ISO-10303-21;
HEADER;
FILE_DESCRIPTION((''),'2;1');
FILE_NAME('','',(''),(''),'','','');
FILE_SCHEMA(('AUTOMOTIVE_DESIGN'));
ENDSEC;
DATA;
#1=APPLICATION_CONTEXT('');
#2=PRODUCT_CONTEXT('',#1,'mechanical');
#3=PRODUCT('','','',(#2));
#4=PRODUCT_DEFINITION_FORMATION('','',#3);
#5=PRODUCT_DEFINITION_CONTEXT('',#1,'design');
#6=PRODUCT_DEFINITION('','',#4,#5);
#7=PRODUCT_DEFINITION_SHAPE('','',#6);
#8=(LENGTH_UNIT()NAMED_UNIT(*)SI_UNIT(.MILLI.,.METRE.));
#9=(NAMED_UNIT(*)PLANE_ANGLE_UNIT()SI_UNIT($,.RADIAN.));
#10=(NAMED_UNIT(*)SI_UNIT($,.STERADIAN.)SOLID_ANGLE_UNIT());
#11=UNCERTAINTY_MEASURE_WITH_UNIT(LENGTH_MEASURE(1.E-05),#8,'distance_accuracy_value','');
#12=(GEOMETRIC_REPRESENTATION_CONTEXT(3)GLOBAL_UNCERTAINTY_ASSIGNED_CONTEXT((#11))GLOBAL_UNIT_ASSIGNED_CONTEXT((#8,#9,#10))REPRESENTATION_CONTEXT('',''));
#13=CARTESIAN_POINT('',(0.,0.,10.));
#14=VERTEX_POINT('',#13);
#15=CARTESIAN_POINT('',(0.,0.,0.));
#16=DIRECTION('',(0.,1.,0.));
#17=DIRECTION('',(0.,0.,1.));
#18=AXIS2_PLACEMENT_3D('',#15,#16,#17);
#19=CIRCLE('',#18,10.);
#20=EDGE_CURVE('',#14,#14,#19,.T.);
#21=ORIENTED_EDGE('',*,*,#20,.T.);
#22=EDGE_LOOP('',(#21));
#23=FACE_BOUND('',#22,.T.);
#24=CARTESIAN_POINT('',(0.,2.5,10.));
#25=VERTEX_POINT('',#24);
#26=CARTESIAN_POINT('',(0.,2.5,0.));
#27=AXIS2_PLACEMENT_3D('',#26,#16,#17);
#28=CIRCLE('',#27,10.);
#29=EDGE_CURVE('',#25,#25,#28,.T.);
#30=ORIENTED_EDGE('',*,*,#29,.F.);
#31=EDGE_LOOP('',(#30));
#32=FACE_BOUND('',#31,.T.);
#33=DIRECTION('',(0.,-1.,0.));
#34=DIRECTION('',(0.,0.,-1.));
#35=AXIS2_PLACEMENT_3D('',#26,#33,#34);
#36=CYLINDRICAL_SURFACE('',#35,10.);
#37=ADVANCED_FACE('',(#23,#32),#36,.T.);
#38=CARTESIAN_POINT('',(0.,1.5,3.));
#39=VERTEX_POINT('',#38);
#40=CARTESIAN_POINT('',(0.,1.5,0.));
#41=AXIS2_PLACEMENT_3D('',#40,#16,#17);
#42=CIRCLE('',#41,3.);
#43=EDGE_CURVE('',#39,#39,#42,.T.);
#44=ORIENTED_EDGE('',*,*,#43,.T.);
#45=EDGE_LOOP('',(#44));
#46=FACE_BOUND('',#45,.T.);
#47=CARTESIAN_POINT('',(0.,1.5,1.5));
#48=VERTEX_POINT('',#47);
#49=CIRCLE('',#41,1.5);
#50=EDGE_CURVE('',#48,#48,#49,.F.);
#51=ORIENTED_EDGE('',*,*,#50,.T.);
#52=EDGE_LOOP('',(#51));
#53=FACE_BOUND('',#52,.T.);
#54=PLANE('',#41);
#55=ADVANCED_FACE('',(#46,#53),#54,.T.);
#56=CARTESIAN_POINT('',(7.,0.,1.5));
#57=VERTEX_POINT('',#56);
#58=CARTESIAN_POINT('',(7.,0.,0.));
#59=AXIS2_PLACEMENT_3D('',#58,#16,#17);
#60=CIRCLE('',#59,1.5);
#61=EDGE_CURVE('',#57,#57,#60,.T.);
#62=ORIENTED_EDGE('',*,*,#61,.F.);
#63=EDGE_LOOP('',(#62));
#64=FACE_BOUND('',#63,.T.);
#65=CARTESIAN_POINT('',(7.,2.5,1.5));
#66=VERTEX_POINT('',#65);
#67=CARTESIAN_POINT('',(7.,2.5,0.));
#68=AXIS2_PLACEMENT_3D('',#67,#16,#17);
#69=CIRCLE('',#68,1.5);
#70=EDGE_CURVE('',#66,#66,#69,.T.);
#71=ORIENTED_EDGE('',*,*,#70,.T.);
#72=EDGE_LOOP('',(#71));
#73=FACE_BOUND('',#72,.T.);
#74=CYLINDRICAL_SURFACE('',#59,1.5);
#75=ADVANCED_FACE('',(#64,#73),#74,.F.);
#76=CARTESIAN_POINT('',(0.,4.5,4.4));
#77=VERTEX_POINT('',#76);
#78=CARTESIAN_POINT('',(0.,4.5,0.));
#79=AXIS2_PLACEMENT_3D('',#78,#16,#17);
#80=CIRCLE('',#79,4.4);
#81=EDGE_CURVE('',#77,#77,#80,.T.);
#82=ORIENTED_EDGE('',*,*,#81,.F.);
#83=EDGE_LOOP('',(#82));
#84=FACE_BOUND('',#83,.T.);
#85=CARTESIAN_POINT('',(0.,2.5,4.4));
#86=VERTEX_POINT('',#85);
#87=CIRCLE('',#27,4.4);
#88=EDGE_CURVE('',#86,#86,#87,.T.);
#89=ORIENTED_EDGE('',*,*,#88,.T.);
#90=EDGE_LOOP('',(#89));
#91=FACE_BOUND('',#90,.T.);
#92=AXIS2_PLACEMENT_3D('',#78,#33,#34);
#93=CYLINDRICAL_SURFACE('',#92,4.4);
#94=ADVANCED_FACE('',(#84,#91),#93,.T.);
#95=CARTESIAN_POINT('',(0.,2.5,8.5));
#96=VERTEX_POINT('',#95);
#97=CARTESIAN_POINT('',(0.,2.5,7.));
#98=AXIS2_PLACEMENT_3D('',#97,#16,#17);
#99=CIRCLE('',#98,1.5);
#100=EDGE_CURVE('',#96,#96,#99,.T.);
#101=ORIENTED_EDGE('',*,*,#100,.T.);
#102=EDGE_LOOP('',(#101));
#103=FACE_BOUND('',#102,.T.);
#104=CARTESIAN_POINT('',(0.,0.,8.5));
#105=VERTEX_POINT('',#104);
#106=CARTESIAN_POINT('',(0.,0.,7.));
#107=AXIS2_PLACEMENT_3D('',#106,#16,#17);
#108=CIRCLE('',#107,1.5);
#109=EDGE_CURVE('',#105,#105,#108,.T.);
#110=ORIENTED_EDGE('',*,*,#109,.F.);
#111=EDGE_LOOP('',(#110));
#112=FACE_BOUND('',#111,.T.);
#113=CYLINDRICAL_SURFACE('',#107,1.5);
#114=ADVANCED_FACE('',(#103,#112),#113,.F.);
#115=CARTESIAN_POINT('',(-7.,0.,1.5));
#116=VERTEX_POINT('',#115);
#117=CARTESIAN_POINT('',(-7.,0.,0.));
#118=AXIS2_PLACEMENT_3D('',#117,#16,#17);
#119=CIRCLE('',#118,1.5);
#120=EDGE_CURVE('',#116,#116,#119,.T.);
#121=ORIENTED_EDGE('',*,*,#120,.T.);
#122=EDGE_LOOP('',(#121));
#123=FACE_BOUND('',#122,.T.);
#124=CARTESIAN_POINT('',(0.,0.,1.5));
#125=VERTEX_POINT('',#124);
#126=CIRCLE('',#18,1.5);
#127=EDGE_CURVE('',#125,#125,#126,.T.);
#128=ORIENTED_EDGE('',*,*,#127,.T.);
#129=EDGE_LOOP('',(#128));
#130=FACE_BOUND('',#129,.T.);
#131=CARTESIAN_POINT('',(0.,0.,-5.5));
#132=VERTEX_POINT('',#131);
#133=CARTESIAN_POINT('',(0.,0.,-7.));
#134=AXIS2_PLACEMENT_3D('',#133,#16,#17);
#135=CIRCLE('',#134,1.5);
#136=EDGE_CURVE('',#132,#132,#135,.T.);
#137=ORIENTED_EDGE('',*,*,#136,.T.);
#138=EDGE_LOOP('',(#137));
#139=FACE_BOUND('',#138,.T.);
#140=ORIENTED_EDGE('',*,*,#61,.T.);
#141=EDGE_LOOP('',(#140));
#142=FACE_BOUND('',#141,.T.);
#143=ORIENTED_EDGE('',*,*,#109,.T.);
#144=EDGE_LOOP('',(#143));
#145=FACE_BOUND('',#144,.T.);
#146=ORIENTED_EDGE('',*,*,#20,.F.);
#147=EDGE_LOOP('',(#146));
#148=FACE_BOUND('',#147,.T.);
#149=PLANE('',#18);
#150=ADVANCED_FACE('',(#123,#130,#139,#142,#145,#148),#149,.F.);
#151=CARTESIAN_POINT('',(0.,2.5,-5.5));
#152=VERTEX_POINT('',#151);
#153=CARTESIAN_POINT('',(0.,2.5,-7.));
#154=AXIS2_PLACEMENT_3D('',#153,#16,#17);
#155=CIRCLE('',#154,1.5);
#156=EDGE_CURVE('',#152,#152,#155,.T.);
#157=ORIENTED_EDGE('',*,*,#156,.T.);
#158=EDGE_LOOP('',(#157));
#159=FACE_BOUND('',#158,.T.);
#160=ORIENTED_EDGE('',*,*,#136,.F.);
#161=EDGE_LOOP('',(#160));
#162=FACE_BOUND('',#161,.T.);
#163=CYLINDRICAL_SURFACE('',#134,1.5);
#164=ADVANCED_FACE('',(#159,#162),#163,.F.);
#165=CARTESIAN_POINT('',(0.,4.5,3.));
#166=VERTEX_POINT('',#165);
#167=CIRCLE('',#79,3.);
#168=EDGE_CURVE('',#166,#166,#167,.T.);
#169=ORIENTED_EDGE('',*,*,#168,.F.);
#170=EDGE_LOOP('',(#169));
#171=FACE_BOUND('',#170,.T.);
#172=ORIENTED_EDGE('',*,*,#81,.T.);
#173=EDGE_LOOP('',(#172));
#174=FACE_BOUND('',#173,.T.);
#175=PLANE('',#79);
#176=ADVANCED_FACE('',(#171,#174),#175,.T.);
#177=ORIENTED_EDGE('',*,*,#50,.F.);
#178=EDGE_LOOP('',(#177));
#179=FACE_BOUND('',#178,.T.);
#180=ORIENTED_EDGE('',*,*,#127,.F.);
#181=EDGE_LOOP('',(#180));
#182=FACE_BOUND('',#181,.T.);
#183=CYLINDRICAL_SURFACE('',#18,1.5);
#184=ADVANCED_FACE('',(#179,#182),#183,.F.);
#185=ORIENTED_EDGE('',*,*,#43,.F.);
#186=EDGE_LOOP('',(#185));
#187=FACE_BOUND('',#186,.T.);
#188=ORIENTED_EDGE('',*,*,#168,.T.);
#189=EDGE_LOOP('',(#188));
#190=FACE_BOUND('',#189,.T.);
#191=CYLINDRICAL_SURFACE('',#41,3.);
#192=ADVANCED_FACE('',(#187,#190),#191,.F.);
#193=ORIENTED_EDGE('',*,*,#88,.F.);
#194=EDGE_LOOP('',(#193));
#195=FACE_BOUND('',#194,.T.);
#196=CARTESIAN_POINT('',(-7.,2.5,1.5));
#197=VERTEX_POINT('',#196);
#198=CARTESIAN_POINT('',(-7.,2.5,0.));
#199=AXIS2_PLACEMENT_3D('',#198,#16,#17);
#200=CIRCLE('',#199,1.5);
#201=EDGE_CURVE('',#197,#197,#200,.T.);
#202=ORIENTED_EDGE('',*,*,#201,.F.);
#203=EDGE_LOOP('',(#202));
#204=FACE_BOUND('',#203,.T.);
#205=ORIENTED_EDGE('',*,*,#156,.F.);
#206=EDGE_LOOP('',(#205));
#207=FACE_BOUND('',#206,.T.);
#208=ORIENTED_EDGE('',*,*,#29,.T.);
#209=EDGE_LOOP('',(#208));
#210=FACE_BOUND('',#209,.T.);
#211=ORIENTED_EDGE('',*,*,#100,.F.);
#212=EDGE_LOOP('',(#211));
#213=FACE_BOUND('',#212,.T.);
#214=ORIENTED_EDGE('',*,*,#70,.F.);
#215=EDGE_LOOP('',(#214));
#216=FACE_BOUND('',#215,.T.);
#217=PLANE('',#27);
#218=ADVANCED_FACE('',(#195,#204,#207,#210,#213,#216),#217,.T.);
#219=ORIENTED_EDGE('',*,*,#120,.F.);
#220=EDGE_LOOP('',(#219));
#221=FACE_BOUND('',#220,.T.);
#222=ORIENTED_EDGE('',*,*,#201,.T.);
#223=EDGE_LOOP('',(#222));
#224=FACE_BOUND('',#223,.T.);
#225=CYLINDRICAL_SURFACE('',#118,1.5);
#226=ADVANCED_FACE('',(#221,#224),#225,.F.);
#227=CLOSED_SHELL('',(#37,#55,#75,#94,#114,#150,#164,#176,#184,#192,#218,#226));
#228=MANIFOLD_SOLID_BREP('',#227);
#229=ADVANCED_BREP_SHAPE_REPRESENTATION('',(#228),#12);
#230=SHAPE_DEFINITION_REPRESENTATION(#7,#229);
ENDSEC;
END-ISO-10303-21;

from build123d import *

# Parameters (mm, degrees)
SKETCH_4_R           = 10
EXTRUDE_2_DEPTH      = 2.5
SKETCH_6_R           = 1.5
CUT_EXTRUDE_9_DEPTH  = 2.5
SKETCH_7_R           = 4.4
EXTRUDE_3_DEPTH      = 2
SKETCH_8_R           = 3
CUT_EXTRUDE_10_DEPTH = 3


with BuildPart() as part:
    # 草图4 → 凸台-拉伸2 (new body)
    with BuildSketch(Plane(origin=(0, 0, 0), x_dir=(1, 0, 0), z_dir=(0, 1, 0))):
        Circle(SKETCH_4_R)
    extrude(amount=EXTRUDE_2_DEPTH)

    # 草图6 → 切除-拉伸9 (cut)
    with BuildSketch(Plane(origin=(0, 2.5, 0), x_dir=(1, 0, 0), z_dir=(0, 1, 0))):
        with Locations((0, 7)):
            Circle(SKETCH_6_R)
        Circle(SKETCH_6_R)
        with Locations((7, 0)):
            Circle(SKETCH_6_R)
        with Locations((-7, 0)):
            Circle(SKETCH_6_R)
        with Locations((0, -7)):
            Circle(SKETCH_6_R)
    extrude(amount=-CUT_EXTRUDE_9_DEPTH, mode=Mode.SUBTRACT)

    # 草图7 → 凸台-拉伸3 (add)
    with BuildSketch(Plane(origin=(0, 2.5, 0), x_dir=(1, 0, 0), z_dir=(0, 1, 0))):
        Circle(SKETCH_7_R)
    extrude(amount=EXTRUDE_3_DEPTH)

    # 草图8 → 切除-拉伸10 (cut)
    with BuildSketch(Plane(origin=(0, 4.5, 0), x_dir=(1, 0, 0), z_dir=(0, 1, 0))):
        Circle(SKETCH_8_R)
    extrude(amount=-CUT_EXTRUDE_10_DEPTH, mode=Mode.SUBTRACT)


solid = part.part
